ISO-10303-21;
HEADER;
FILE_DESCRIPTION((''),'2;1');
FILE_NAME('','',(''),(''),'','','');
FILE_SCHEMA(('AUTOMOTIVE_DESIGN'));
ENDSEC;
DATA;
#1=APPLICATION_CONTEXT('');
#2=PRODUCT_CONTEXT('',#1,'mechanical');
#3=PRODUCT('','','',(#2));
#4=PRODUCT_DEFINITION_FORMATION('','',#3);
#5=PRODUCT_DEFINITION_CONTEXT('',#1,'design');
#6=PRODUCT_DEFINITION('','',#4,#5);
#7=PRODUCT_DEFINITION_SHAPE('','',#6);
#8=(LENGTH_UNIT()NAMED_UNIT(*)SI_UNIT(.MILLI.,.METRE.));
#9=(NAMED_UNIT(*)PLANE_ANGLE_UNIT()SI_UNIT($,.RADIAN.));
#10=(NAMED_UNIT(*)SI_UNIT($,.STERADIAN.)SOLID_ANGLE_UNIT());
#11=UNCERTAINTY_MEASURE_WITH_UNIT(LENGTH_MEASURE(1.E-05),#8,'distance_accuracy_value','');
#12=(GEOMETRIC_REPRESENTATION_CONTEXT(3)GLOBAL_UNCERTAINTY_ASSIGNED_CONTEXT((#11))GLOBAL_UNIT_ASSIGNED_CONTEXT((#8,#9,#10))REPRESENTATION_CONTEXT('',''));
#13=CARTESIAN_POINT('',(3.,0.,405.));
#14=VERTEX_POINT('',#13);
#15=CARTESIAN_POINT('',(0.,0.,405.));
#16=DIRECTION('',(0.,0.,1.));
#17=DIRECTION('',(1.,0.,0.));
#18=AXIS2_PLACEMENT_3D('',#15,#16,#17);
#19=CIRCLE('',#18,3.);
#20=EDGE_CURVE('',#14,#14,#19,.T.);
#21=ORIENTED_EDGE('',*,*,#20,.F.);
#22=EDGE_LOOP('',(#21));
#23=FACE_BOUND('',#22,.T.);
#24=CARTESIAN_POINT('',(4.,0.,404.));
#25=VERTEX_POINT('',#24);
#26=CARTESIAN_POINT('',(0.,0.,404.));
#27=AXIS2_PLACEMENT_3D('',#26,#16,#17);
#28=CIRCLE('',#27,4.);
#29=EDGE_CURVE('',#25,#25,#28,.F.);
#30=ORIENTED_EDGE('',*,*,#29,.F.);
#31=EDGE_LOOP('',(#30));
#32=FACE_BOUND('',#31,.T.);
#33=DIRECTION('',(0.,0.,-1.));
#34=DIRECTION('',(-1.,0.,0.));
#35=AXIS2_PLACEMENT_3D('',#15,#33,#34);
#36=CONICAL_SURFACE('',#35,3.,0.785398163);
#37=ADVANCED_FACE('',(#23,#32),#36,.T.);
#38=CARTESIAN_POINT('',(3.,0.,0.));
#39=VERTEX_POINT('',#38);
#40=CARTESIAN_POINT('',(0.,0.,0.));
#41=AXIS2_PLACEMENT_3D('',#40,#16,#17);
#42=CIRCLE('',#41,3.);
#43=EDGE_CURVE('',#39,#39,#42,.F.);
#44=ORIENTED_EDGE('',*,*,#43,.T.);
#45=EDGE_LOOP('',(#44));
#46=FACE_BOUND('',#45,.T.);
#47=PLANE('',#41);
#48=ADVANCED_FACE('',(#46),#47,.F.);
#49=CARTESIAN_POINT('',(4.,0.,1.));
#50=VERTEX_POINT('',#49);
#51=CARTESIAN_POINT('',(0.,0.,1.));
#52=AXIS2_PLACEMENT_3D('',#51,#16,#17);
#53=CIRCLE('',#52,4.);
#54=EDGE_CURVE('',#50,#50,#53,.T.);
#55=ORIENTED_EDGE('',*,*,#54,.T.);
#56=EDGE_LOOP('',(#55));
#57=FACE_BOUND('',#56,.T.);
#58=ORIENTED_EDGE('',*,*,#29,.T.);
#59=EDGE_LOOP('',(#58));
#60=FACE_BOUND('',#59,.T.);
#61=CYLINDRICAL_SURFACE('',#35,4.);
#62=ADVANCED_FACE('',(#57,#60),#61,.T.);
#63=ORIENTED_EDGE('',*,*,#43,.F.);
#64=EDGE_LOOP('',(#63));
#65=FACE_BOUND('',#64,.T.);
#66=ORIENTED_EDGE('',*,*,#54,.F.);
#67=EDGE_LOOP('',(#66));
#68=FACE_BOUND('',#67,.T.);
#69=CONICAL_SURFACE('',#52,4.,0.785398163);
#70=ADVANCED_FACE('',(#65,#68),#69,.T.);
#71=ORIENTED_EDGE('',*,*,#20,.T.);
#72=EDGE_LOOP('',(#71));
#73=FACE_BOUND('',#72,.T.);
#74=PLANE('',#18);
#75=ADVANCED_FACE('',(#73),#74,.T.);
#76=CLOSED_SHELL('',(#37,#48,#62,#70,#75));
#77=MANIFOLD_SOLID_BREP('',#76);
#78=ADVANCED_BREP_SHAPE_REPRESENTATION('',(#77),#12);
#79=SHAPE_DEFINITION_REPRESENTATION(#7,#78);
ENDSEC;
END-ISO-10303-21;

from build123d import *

# Parameters (mm, degrees)
SKETCH1_R           = 4
BOSS_EXTRUDE1_DEPTH = 405
CHAMFER2_SIZE       = 1
CHAMFER3_SIZE       = 1


with BuildPart() as part:
    # Sketch1 → Boss-Extrude1 (new body)
    with BuildSketch(Plane.XY):
        Circle(SKETCH1_R)
    extrude(amount=BOSS_EXTRUDE1_DEPTH)

    # Chamfer2
    chamfer2_edges = [part.edges().sort_by_distance(p)[0] for p in [
        (-4, 0, 0),
    ]]
    chamfer(chamfer2_edges, length=CHAMFER2_SIZE)

    # Chamfer3
    chamfer3_edges = [part.edges().sort_by_distance(p)[0] for p in [
        (-4, 0, 405),
    ]]
    chamfer(chamfer3_edges, length=CHAMFER3_SIZE)


solid = part.part
